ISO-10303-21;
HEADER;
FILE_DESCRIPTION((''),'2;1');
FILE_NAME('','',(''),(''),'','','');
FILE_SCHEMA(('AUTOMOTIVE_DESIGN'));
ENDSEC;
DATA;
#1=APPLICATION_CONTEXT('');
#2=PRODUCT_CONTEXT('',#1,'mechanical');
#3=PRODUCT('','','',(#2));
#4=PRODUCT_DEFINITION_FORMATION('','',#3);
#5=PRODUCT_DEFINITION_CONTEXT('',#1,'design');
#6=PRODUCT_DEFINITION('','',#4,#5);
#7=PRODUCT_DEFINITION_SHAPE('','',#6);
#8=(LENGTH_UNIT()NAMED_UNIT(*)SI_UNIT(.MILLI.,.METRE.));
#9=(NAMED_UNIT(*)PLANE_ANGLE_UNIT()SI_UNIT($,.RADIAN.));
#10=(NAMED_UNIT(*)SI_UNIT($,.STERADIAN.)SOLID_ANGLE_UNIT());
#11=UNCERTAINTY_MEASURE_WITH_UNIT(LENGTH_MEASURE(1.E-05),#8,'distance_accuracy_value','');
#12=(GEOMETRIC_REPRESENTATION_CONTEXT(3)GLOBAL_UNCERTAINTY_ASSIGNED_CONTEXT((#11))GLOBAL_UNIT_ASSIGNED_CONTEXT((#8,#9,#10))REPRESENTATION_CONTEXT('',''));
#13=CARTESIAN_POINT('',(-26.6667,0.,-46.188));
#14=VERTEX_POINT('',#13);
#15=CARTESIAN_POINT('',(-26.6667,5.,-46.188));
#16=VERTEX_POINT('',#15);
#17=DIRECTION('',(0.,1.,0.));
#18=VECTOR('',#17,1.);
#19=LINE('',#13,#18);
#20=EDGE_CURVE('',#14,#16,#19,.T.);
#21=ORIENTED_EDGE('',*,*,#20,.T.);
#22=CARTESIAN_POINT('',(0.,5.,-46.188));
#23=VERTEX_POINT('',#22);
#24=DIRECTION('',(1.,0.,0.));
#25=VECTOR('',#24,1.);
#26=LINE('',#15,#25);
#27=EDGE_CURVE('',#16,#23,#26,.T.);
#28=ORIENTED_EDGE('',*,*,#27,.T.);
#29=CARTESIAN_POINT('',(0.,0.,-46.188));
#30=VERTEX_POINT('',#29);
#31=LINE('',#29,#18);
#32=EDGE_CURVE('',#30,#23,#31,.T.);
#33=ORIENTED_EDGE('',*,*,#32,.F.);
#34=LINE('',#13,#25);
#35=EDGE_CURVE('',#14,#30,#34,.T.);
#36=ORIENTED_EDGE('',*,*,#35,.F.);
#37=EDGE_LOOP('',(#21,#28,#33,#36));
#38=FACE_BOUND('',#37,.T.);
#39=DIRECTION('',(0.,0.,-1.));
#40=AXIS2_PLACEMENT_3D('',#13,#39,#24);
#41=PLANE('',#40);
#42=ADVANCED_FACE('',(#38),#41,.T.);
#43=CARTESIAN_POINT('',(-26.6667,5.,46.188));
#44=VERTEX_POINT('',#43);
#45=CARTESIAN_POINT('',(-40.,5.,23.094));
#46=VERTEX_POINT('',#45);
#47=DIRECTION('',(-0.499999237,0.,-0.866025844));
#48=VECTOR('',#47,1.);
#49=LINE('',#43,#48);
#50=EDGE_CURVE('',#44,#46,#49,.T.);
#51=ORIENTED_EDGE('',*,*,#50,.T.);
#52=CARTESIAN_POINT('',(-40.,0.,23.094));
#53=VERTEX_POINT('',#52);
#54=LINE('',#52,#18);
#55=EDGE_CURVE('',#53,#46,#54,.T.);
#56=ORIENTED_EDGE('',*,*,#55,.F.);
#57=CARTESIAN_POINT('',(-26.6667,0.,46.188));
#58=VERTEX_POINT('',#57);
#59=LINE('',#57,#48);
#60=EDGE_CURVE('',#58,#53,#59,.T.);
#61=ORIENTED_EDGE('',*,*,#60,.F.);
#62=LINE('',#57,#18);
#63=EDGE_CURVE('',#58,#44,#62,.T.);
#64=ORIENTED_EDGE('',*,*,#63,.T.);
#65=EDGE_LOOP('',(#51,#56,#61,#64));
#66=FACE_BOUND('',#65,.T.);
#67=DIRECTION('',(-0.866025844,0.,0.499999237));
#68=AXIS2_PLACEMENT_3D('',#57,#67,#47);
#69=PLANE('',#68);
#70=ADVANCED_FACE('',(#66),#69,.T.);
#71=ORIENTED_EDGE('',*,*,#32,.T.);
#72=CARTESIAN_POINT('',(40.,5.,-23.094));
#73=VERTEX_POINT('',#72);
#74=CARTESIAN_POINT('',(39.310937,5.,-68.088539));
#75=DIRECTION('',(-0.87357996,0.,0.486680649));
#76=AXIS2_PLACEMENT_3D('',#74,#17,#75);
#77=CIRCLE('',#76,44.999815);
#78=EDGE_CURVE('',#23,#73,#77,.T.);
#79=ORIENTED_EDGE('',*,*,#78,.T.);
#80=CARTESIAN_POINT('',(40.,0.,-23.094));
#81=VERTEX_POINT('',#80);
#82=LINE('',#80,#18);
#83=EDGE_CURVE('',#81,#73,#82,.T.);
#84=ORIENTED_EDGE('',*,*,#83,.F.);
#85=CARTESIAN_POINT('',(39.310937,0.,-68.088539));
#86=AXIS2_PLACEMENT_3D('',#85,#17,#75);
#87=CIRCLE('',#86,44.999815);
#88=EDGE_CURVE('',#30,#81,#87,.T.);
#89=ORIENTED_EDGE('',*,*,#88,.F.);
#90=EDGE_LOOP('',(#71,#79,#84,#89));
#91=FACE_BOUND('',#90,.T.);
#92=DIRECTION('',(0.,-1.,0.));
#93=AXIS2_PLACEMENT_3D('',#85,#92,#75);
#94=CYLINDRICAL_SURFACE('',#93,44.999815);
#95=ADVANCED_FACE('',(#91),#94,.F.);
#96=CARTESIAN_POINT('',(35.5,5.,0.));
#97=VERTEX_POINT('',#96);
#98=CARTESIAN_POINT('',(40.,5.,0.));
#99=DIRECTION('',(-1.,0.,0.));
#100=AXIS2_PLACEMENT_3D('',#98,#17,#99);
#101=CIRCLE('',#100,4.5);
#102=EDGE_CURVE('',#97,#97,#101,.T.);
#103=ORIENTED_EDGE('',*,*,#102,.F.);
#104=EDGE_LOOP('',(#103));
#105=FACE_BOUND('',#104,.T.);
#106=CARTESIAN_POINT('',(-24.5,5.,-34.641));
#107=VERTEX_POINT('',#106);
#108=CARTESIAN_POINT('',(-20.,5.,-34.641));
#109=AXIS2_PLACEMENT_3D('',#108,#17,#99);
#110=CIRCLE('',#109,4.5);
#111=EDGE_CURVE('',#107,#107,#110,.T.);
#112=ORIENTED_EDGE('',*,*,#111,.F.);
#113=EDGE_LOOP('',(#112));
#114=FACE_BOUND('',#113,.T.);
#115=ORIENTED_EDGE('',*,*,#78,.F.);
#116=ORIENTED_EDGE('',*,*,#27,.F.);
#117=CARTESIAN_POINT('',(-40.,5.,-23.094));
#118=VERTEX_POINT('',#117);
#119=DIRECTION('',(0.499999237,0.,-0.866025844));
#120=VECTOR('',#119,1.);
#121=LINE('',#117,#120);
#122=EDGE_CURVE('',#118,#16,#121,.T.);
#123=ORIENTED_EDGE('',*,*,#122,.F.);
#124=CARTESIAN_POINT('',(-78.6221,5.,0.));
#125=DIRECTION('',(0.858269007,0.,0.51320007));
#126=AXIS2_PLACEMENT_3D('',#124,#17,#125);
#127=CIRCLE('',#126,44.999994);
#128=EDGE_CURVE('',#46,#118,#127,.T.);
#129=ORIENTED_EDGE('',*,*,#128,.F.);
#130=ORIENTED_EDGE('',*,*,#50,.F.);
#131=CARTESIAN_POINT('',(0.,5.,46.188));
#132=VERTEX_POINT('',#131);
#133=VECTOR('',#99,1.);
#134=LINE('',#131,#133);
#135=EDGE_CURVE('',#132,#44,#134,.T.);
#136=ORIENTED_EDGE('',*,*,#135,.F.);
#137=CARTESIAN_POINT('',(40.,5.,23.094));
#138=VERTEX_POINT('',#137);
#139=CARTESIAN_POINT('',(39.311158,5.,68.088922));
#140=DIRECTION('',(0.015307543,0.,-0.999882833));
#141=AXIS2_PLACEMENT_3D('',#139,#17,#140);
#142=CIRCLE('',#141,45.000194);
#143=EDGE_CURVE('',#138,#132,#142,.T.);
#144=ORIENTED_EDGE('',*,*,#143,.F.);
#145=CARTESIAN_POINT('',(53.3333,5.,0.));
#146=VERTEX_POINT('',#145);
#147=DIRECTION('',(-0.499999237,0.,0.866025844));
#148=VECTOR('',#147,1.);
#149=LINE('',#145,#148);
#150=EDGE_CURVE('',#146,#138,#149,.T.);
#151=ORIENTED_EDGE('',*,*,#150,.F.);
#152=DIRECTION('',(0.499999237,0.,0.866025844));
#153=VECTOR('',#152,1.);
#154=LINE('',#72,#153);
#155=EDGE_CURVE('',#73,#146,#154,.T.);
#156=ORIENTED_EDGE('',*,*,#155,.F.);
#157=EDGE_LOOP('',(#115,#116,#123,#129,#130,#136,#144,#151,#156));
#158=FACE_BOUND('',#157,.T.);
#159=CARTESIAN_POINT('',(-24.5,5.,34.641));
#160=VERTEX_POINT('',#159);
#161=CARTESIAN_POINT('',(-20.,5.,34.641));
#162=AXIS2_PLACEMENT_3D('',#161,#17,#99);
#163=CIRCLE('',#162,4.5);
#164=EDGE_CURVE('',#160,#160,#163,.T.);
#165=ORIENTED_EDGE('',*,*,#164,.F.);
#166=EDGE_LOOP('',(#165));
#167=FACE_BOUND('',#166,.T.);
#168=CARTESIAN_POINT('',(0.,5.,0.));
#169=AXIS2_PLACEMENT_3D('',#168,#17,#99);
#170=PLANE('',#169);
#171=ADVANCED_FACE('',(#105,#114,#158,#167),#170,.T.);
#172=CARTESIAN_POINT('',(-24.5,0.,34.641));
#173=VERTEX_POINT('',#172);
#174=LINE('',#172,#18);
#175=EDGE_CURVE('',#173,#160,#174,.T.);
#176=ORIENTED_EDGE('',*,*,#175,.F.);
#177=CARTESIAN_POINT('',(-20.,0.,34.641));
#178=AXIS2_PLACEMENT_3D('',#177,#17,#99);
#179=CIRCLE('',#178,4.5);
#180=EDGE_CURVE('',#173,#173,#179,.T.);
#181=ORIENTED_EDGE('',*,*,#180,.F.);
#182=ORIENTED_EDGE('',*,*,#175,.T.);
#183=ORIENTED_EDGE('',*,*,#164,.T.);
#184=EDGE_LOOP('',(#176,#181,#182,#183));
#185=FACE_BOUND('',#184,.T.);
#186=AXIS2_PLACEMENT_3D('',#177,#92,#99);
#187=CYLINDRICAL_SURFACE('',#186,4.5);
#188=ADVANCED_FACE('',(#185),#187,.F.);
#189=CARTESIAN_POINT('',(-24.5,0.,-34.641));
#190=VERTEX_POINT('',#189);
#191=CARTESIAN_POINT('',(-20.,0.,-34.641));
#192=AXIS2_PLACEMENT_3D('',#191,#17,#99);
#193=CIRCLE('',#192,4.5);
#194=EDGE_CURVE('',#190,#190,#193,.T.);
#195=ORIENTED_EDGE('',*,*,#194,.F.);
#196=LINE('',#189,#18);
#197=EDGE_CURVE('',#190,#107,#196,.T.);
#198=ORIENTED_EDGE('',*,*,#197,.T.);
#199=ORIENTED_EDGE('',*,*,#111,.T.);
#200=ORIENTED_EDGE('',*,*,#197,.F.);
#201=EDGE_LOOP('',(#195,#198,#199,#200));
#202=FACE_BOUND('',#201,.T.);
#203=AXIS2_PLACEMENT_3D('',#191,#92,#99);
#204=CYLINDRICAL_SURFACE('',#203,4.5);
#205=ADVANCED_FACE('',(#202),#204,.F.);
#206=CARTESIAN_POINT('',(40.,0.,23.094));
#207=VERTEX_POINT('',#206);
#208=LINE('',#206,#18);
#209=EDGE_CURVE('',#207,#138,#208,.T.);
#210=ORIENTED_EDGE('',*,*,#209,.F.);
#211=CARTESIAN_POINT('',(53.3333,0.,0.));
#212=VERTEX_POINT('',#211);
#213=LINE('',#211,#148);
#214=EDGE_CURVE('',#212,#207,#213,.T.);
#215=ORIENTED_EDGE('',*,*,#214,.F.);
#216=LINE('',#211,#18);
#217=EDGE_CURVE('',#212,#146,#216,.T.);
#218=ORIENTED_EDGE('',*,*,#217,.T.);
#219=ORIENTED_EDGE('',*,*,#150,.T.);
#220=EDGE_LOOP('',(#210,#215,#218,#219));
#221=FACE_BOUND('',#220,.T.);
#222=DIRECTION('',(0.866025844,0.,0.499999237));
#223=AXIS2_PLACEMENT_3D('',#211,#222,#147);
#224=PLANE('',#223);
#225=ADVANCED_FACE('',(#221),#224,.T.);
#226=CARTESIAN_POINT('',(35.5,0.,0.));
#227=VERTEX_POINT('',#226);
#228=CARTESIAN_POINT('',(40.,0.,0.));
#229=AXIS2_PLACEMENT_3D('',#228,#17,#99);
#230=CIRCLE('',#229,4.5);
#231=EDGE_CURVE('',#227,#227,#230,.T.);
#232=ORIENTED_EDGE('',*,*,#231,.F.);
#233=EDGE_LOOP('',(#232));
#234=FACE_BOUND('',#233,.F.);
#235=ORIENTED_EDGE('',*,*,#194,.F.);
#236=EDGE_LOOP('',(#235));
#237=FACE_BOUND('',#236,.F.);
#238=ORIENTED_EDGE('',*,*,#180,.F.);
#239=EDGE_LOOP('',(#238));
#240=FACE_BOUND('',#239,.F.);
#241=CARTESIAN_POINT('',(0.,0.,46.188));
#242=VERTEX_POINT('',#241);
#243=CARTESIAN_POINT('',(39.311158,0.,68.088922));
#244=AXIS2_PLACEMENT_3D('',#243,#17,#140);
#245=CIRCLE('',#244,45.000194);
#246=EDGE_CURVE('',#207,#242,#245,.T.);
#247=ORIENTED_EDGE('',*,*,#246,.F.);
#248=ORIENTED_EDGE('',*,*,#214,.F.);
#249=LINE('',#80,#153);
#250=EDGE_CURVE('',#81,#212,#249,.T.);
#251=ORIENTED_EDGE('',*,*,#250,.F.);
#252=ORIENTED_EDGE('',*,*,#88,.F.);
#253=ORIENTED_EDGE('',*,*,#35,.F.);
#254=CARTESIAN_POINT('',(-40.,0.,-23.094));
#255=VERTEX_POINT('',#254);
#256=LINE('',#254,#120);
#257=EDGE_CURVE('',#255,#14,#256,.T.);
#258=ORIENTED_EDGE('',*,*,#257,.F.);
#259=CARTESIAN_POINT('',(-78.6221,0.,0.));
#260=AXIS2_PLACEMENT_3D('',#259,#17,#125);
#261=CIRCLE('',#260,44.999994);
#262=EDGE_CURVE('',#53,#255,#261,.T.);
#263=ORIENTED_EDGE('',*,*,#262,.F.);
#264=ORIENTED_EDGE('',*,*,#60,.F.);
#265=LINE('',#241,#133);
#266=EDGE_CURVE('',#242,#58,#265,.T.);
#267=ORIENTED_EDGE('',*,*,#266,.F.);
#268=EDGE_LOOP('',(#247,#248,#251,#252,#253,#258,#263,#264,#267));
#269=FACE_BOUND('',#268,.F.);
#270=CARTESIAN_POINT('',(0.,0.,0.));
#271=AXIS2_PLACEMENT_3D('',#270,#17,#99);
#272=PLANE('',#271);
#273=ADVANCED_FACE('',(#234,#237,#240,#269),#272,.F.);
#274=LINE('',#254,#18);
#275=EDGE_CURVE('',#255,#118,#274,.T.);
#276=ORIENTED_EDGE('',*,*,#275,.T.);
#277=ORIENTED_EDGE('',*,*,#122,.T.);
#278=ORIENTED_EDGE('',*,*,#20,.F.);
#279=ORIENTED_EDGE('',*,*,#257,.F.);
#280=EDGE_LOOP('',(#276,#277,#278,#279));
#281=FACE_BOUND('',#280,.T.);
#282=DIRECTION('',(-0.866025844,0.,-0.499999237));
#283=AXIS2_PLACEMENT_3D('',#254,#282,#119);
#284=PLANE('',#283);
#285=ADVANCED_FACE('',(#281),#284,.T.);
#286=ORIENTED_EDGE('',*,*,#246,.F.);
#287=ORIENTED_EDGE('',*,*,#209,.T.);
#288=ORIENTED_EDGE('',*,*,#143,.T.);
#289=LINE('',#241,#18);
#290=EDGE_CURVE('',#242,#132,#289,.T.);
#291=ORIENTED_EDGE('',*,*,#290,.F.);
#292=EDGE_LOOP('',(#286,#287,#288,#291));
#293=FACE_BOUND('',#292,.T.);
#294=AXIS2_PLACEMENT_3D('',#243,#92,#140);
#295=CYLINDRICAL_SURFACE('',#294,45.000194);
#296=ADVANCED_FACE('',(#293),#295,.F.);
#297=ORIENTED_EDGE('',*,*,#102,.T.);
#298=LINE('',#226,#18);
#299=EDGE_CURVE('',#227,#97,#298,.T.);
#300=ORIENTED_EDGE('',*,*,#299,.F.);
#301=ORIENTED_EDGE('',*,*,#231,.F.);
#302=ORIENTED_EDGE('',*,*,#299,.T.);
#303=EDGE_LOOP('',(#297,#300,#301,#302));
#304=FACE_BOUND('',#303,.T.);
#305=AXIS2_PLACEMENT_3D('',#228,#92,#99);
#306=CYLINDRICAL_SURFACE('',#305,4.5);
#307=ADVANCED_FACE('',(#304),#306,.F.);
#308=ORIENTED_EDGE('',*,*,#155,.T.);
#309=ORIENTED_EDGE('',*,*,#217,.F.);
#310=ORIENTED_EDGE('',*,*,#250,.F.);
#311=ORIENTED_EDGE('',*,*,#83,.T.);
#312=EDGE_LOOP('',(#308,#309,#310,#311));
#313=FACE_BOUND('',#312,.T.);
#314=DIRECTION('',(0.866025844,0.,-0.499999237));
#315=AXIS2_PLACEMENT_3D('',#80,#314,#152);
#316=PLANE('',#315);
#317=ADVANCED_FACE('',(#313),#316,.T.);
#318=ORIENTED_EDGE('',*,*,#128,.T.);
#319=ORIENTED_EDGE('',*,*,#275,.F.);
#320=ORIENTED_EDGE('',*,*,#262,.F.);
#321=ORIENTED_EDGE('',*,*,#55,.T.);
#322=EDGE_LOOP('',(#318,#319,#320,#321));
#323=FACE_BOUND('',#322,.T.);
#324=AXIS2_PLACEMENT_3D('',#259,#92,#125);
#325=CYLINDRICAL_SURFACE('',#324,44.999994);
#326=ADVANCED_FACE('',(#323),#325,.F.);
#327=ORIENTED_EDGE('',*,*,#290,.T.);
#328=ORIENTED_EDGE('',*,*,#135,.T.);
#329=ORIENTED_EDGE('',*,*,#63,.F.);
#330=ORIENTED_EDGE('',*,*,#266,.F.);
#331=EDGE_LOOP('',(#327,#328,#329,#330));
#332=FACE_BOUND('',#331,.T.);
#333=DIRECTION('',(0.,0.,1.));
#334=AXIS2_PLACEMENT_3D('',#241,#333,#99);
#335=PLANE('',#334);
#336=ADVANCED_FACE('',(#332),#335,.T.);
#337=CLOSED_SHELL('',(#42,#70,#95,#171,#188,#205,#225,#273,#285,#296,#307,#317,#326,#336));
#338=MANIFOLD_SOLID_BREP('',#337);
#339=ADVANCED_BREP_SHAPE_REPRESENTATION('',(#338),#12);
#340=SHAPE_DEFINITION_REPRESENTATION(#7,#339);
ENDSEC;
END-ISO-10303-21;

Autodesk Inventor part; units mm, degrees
ref_plane "YZ Plane" through (0, 0, 0) normal (1, 0, 0) x (0, 1, 0)
ref_plane "XZ Plane" through (0, 0, 0) normal (0, 1, 0) x (-1, 0, 0)
ref_plane "XY Plane" through (0, 0, 0) normal (0, 0, 1) x (1, 0, 0)
sketch "Sketch1" plane through (0, 0, 0) normal (0, 1, 0) x (-1, 0, 0)
  circle A0 centre (-40, 0) radius 4.5
  circle A1 centre (20, -34.641) radius 4.5
  circle A2 centre (20, 34.641) radius 4.5
  line L0 (40, -23.094) -> (26.6667, -46.188)
  line L1 (26.6667, -46.188) -> (0, -46.188)
  line L2 (-40, -23.094) -> (-53.3333, 0)
  line L3 (-53.3333, 0) -> (-40, 23.094)
  line L4 (0, 46.188) -> (26.6667, 46.188)
  line L5 (26.6667, 46.188) -> (40, 23.094)
  arc A3 (-40, 23.094) -> (0, 46.188) centre (-39.3111, 68.0887) ccw
  arc A4 (0, -46.188) -> (-40, -23.094) centre (-39.3111, -68.0887) ccw
  arc A5 (40, 23.094) -> (40, -23.094) centre (78.6221, 0) ccw
  point P0 (0, 0)
  point P1 (0, 0)
  point P2 (0, 0)
  point P3 (0, 0)
  dimension "d1" = 9
  dimension "d2" = 9
  dimension "d3" = 9
  dimension "d4" = 45
  dimension "d5" = 45
  dimension "d6" = 45
extrude "Extrusion1" add sketch "Sketch1" along normal blind 5
properties part number "Palm1"
